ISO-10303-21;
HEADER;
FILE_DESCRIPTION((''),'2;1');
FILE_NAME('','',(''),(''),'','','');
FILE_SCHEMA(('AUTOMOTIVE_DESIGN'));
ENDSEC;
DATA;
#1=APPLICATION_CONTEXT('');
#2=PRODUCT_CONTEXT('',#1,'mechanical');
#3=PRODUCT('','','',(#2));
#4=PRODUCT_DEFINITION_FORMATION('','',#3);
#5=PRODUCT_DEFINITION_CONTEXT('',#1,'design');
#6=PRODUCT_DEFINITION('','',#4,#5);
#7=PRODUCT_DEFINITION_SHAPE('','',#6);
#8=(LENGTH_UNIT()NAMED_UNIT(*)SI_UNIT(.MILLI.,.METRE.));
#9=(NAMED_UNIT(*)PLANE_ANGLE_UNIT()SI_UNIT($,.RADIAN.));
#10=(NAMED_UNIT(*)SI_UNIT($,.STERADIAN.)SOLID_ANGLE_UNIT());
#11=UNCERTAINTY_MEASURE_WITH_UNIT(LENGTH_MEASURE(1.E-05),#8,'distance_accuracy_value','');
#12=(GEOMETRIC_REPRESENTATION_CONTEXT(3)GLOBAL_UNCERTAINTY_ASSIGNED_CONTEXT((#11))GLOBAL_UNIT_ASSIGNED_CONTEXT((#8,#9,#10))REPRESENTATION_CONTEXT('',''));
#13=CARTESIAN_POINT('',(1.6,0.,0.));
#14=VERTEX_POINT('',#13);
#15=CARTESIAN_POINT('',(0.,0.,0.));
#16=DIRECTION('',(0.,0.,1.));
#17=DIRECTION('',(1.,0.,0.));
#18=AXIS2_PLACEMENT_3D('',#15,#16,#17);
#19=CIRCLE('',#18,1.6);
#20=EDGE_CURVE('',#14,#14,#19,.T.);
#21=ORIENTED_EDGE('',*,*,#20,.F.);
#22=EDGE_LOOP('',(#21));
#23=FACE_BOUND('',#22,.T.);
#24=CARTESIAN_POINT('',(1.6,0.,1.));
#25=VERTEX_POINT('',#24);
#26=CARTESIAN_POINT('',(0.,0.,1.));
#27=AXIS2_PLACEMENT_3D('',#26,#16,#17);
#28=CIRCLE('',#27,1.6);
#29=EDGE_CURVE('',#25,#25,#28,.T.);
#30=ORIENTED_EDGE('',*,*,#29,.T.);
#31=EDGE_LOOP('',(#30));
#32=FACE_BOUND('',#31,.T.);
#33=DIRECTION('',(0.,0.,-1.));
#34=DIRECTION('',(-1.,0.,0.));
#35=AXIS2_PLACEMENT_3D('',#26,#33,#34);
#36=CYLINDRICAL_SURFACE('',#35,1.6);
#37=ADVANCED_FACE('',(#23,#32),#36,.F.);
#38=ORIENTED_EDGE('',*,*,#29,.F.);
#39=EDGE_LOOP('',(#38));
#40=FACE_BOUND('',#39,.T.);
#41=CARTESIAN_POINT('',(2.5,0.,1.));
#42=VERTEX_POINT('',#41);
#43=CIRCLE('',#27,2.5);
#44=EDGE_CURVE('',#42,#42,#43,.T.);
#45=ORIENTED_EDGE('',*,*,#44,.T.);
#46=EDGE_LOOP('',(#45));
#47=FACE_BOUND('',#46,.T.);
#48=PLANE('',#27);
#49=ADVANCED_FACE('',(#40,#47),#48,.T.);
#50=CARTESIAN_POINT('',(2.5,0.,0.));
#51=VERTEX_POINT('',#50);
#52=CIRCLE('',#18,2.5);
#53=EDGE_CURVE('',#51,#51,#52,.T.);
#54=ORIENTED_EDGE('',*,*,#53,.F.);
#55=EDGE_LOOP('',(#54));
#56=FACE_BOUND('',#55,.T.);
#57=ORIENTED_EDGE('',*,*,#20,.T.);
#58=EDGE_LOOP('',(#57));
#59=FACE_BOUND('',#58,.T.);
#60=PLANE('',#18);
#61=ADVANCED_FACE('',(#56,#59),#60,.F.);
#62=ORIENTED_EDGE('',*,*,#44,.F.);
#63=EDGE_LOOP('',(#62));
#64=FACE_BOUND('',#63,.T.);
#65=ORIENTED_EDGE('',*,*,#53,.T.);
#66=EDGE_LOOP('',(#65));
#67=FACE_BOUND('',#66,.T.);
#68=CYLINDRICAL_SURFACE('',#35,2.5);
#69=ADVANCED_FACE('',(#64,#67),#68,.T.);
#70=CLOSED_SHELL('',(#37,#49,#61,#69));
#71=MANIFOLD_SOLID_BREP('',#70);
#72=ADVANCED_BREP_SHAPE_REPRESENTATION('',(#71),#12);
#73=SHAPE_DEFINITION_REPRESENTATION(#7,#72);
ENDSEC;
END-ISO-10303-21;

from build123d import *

# Parameters (mm, degrees)
TOP_SKETCH_R            = 2.5
TOP_SKETCH_R_2          = 1.6
EXTRUDE_THICKNESS_DEPTH = 1


with BuildPart() as part:
    # Top Sketch → Extrude Thickness (new body)
    with BuildSketch(Plane.XY):
        Circle(TOP_SKETCH_R)
        Circle(TOP_SKETCH_R_2, mode=Mode.SUBTRACT)
    extrude(amount=EXTRUDE_THICKNESS_DEPTH)


solid = part.part
